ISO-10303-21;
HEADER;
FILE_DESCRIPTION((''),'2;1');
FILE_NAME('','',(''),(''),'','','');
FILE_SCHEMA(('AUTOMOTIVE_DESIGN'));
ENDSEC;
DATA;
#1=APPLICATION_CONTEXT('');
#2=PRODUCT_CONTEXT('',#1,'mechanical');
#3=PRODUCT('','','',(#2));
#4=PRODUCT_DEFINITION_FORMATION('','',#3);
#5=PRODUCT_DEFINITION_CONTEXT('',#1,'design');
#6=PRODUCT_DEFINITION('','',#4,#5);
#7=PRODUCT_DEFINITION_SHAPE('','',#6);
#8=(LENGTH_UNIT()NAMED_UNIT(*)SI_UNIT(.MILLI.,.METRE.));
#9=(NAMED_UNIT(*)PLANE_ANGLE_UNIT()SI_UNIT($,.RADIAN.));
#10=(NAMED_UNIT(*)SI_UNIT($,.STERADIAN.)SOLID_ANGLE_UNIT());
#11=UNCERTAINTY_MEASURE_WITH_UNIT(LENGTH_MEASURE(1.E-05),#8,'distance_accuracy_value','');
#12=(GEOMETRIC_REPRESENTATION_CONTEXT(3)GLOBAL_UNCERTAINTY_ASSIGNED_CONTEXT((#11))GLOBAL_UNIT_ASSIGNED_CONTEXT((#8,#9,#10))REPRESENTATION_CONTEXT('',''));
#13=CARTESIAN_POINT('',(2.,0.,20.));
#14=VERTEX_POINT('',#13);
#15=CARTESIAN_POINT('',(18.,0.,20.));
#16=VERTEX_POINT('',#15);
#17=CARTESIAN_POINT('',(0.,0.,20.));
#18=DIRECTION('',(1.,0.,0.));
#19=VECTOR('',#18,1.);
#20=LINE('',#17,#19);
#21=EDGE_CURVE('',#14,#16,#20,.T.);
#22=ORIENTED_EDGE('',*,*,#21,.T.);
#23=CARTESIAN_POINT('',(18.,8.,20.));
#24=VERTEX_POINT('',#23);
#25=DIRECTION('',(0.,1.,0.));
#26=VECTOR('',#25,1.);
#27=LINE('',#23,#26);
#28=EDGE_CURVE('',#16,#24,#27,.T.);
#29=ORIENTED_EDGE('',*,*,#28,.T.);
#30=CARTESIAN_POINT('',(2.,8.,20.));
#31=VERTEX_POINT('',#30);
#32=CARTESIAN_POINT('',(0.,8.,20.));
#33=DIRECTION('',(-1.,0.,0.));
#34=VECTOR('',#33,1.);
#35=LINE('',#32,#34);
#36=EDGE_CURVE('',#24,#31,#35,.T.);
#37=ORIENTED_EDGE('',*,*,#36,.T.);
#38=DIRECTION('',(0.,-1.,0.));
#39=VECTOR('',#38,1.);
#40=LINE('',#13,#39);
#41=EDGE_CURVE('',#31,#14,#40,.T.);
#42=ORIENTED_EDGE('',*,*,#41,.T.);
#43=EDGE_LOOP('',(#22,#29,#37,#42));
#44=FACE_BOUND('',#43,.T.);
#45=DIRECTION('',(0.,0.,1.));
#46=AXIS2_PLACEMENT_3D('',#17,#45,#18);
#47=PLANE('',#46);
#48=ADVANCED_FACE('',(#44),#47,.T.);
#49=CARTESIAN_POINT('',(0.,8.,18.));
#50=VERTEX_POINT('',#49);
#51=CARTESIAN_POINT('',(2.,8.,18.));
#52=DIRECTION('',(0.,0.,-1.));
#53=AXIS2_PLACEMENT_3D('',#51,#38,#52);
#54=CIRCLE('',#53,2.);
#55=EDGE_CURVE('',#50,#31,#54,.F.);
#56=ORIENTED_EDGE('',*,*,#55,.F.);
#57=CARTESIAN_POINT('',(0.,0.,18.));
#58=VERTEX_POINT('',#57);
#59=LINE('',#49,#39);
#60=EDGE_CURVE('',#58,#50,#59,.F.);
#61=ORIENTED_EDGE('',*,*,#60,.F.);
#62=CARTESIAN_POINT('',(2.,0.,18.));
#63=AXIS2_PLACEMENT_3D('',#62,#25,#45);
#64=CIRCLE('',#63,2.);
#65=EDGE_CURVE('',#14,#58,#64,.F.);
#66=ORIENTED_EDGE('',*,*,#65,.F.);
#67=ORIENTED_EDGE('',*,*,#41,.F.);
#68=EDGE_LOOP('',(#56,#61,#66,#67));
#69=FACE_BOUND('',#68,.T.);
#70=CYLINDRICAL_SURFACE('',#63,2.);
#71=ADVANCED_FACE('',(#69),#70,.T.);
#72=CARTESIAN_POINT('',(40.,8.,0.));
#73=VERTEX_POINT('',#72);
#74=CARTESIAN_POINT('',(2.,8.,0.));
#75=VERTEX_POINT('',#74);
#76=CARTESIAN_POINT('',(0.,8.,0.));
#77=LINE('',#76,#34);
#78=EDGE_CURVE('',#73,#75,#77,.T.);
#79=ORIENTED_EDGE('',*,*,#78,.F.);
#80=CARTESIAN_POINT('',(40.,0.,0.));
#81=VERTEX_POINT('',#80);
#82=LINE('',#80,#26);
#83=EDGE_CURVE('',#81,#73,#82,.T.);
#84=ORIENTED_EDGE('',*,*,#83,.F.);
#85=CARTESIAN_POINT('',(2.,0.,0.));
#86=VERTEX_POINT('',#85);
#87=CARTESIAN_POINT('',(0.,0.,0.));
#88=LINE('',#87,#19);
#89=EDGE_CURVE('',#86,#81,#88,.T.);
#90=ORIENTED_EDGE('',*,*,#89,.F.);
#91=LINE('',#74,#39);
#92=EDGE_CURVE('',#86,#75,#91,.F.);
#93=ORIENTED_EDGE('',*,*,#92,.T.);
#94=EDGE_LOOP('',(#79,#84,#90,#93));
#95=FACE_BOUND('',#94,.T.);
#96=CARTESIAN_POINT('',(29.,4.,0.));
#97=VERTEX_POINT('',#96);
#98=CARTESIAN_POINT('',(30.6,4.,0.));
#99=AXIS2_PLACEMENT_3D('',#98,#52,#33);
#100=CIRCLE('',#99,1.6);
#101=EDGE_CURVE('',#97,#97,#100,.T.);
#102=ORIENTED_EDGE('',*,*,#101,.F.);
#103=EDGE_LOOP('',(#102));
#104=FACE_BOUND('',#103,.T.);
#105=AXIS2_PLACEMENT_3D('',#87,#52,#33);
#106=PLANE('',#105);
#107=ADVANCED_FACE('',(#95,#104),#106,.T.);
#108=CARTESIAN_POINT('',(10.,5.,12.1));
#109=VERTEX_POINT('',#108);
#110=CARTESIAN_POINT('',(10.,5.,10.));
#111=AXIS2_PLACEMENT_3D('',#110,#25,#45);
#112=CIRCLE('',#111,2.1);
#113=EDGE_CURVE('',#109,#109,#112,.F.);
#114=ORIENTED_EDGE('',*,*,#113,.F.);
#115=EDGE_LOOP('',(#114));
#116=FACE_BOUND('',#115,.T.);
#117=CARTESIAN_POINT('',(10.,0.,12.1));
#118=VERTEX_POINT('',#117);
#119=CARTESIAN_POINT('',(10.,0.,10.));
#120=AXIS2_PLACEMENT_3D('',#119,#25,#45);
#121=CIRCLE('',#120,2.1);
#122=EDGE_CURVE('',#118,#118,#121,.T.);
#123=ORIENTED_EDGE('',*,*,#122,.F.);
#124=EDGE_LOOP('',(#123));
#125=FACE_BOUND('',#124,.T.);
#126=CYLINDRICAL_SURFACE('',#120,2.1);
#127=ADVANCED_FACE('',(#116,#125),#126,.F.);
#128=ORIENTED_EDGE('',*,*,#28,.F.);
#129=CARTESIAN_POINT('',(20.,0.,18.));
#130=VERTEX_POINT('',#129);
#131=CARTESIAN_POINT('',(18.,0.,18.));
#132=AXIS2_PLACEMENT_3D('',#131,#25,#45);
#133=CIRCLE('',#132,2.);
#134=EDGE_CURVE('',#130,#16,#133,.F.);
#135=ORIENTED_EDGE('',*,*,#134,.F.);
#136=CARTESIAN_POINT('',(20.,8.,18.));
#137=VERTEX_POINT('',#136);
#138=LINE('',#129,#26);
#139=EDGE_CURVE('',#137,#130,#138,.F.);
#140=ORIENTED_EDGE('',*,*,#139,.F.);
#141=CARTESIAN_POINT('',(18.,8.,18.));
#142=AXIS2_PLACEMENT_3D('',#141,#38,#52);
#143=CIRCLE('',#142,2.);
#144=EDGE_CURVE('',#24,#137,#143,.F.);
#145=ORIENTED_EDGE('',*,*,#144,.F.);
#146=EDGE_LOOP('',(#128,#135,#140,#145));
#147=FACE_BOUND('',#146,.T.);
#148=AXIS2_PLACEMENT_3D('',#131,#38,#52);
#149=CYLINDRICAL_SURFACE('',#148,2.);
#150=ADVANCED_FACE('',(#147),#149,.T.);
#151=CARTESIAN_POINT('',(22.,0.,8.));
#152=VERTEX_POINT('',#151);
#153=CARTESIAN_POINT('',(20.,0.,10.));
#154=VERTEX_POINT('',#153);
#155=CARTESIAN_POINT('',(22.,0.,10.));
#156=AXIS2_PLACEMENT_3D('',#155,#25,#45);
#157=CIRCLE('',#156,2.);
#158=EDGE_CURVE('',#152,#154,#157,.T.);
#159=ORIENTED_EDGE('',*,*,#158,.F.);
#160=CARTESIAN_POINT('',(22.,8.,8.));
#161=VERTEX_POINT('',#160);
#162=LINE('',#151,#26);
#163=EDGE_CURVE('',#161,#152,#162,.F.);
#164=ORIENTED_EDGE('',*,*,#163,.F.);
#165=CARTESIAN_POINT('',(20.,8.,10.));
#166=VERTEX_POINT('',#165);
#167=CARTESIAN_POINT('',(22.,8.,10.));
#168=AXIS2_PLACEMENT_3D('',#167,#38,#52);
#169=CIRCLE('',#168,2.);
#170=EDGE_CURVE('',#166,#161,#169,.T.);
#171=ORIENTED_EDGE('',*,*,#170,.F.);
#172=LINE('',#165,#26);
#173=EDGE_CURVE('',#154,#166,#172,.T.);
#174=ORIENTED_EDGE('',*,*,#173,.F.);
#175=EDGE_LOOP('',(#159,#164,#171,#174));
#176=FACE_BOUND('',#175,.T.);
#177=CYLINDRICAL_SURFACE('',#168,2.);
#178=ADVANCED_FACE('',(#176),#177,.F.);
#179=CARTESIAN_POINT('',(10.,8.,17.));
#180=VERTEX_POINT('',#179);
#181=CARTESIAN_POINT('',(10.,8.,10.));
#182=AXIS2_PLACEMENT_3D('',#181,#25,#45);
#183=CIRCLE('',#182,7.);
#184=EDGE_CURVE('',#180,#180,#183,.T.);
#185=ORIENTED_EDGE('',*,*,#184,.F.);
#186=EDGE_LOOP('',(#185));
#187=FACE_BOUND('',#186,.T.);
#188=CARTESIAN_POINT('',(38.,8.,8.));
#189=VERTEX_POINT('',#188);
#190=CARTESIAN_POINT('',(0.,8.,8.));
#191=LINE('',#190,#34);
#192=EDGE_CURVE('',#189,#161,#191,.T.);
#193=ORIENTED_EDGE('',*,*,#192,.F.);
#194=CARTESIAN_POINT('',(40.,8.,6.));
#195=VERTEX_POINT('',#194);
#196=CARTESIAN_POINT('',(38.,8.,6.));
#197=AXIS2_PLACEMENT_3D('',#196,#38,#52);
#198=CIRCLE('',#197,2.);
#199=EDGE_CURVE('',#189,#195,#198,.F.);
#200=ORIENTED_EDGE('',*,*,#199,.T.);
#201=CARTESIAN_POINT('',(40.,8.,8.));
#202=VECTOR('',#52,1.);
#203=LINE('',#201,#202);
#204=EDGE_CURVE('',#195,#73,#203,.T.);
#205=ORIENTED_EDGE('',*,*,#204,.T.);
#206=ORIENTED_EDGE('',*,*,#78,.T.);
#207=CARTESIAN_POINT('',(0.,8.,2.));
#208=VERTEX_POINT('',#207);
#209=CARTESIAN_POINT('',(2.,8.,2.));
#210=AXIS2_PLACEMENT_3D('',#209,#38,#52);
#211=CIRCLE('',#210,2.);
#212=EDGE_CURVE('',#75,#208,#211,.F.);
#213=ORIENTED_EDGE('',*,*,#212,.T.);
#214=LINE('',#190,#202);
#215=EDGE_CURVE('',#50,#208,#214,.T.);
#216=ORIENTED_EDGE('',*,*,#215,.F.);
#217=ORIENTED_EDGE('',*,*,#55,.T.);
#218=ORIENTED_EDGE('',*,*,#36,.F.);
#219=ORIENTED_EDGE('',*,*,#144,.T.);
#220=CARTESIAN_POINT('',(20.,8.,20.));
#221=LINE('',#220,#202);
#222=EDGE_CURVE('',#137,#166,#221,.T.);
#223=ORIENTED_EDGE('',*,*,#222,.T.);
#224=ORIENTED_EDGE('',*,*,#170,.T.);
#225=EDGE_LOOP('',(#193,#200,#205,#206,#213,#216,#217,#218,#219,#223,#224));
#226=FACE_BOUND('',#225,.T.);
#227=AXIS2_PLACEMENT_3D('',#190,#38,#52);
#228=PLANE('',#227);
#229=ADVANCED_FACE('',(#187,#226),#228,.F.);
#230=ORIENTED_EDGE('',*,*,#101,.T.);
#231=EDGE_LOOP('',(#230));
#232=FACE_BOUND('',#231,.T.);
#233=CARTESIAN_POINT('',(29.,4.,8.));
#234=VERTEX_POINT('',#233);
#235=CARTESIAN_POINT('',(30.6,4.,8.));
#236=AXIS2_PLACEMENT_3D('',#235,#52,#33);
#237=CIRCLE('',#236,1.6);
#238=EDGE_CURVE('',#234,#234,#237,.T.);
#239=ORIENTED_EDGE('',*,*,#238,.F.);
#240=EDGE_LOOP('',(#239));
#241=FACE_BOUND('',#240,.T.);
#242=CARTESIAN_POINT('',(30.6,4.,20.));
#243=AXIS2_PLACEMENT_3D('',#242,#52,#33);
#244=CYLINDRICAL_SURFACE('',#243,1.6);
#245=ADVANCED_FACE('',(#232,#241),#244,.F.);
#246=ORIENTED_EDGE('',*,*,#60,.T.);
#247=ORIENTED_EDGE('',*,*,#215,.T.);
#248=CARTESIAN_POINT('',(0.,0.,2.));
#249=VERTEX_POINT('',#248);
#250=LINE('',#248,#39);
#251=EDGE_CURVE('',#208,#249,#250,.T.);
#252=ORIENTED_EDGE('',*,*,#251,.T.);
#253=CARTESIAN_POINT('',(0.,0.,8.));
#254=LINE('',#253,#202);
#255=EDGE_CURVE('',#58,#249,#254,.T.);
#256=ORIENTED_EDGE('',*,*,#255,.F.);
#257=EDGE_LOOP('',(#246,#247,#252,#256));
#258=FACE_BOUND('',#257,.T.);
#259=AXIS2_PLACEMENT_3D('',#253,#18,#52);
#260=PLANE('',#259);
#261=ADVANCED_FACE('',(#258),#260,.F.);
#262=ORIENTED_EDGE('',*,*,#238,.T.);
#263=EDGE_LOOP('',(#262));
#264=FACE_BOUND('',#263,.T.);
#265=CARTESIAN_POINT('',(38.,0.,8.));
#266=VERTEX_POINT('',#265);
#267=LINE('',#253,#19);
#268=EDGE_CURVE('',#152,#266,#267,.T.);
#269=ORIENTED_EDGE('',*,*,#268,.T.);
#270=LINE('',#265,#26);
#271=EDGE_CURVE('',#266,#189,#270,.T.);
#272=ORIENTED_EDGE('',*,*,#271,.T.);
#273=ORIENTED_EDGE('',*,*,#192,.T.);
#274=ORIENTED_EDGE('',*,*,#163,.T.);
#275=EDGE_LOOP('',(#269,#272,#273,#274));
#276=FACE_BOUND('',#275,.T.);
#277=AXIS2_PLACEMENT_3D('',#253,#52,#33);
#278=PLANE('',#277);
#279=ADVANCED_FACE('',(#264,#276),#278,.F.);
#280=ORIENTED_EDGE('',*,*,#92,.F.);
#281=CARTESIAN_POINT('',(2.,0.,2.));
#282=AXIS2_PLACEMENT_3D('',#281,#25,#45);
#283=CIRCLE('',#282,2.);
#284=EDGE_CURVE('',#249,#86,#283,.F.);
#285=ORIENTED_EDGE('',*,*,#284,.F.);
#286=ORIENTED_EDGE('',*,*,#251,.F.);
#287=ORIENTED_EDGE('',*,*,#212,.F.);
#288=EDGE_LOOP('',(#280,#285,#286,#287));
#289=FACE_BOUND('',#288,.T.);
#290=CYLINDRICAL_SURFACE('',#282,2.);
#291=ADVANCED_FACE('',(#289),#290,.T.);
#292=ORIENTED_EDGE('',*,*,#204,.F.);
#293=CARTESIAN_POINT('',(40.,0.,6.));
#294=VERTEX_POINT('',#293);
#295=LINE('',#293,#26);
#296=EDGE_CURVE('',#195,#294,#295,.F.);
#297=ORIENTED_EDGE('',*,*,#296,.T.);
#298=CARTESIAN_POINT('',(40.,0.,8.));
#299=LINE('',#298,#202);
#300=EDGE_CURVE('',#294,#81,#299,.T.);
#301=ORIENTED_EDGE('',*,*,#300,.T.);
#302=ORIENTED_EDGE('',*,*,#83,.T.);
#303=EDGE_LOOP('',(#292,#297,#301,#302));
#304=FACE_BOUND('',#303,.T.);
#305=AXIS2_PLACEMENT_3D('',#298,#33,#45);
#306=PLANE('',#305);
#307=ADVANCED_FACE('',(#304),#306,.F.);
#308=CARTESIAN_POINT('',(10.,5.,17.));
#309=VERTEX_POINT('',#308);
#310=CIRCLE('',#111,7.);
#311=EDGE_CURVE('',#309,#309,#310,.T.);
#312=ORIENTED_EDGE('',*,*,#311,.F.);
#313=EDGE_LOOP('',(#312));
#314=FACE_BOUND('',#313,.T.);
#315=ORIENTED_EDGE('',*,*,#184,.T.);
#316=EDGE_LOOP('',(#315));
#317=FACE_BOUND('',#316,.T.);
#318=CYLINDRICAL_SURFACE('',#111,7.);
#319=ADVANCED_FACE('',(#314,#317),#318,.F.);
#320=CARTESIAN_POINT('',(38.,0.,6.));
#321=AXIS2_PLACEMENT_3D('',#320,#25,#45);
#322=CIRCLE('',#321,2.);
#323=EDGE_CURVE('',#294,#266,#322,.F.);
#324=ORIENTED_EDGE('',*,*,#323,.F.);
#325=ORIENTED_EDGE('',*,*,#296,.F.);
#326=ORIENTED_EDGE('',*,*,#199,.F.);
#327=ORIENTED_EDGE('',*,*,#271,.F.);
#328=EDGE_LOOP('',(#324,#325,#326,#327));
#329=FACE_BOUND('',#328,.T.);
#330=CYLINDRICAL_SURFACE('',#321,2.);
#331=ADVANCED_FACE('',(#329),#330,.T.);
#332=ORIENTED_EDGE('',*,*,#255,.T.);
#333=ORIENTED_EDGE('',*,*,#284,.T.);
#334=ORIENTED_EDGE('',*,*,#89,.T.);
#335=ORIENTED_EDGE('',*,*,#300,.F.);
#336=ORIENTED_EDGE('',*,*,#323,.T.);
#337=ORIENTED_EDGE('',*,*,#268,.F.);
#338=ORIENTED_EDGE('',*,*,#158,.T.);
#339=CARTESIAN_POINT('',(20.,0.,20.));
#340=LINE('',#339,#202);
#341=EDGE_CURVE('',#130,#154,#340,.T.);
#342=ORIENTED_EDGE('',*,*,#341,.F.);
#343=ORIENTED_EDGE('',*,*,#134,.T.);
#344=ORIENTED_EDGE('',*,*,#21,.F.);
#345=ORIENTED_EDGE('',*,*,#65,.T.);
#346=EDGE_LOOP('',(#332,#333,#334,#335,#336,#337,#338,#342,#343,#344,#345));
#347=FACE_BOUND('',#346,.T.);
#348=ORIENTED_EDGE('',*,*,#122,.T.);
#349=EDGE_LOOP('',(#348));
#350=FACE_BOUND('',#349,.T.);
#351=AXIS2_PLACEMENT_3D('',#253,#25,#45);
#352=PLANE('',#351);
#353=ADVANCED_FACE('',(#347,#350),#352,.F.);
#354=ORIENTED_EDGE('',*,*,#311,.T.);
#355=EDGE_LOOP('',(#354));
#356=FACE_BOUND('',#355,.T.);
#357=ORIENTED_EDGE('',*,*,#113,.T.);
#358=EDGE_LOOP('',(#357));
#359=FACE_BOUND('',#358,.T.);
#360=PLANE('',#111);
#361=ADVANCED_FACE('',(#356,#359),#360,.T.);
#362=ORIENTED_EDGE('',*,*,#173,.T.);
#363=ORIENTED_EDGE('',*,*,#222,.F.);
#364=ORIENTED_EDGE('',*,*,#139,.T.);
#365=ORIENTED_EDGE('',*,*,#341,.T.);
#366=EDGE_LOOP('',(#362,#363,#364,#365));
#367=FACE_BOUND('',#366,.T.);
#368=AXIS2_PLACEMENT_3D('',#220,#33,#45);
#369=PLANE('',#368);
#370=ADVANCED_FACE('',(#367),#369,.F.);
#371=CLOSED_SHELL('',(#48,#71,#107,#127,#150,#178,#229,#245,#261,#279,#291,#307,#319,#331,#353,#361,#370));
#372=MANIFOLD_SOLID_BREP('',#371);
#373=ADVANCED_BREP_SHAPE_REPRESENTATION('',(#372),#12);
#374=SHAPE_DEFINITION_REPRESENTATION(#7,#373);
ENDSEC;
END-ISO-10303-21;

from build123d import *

# Parameters (mm, degrees)
ESQUISSE1_W             = 40
ESQUISSE1_H             = 8
BOSS_EXTRU_1_DEPTH      = 8
ESQUISSE2_W             = 20
ESQUISSE2_H             = 8
BOSS_EXTRU_2_DEPTH      = 12
CONG_1_R                = 2
ESQUISSE3_R             = 2.1
ENL_V_MAT_EXTRU_1_DEPTH = 9
ESQUISSE5_R             = 1.6
ENL_V_MAT_EXTRU_2_DEPTH = 21
ESQUISSE6_R             = 7
ENL_V_MAT_EXTRU_3_DEPTH = 3


with BuildPart() as part:
    # Esquisse1 → Boss.-Extru.1 (new body)
    with BuildSketch(Plane.XY):
        with Locations((20, 4)):
            Rectangle(ESQUISSE1_W, ESQUISSE1_H)
    extrude(amount=BOSS_EXTRU_1_DEPTH)

    # Esquisse2 → Boss.-Extru.2 (add)
    with BuildSketch(Plane.XY.offset(8)):
        with Locations((10, 4)):
            Rectangle(ESQUISSE2_W, ESQUISSE2_H)
    extrude(amount=BOSS_EXTRU_2_DEPTH)

    # Congé1
    cong_1_edges = [part.edges().sort_by_distance(p)[0] for p in [
        (0, 4, 0),
        (40, 4, 8),
        (0, 4, 20),
        (20, 4, 20),
        (20, 4, 8),
    ]]
    fillet(cong_1_edges, radius=CONG_1_R)

    # Esquisse3 → Enlèv. mat.-Extru.1 (cut, through all)
    with BuildSketch(Plane(origin=(0, 8, 0), x_dir=(1, 0, 0), z_dir=(0, 1, 0))):
        with Locations((10, -10)):
            Circle(ESQUISSE3_R)
    extrude(amount=-ENL_V_MAT_EXTRU_1_DEPTH, mode=Mode.SUBTRACT)

    # Esquisse5 → Enlèv. mat.-Extru.2 (cut, through all)
    with BuildSketch(Plane(origin=(0, 0, 0), x_dir=(-1, 0, 0), z_dir=(0, 0, -1))):
        with Locations((-30.6, 4)):
            Circle(ESQUISSE5_R)
    extrude(amount=-ENL_V_MAT_EXTRU_2_DEPTH, mode=Mode.SUBTRACT)

    # Esquisse6 → Enlèv. mat.-Extru.3 (cut)
    with BuildSketch(Plane(origin=(0, 8, 0), x_dir=(1, 0, 0), z_dir=(0, 1, 0))):
        with Locations((10, -10)):
            Circle(ESQUISSE6_R)
    extrude(amount=-ENL_V_MAT_EXTRU_3_DEPTH, mode=Mode.SUBTRACT)


solid = part.part
